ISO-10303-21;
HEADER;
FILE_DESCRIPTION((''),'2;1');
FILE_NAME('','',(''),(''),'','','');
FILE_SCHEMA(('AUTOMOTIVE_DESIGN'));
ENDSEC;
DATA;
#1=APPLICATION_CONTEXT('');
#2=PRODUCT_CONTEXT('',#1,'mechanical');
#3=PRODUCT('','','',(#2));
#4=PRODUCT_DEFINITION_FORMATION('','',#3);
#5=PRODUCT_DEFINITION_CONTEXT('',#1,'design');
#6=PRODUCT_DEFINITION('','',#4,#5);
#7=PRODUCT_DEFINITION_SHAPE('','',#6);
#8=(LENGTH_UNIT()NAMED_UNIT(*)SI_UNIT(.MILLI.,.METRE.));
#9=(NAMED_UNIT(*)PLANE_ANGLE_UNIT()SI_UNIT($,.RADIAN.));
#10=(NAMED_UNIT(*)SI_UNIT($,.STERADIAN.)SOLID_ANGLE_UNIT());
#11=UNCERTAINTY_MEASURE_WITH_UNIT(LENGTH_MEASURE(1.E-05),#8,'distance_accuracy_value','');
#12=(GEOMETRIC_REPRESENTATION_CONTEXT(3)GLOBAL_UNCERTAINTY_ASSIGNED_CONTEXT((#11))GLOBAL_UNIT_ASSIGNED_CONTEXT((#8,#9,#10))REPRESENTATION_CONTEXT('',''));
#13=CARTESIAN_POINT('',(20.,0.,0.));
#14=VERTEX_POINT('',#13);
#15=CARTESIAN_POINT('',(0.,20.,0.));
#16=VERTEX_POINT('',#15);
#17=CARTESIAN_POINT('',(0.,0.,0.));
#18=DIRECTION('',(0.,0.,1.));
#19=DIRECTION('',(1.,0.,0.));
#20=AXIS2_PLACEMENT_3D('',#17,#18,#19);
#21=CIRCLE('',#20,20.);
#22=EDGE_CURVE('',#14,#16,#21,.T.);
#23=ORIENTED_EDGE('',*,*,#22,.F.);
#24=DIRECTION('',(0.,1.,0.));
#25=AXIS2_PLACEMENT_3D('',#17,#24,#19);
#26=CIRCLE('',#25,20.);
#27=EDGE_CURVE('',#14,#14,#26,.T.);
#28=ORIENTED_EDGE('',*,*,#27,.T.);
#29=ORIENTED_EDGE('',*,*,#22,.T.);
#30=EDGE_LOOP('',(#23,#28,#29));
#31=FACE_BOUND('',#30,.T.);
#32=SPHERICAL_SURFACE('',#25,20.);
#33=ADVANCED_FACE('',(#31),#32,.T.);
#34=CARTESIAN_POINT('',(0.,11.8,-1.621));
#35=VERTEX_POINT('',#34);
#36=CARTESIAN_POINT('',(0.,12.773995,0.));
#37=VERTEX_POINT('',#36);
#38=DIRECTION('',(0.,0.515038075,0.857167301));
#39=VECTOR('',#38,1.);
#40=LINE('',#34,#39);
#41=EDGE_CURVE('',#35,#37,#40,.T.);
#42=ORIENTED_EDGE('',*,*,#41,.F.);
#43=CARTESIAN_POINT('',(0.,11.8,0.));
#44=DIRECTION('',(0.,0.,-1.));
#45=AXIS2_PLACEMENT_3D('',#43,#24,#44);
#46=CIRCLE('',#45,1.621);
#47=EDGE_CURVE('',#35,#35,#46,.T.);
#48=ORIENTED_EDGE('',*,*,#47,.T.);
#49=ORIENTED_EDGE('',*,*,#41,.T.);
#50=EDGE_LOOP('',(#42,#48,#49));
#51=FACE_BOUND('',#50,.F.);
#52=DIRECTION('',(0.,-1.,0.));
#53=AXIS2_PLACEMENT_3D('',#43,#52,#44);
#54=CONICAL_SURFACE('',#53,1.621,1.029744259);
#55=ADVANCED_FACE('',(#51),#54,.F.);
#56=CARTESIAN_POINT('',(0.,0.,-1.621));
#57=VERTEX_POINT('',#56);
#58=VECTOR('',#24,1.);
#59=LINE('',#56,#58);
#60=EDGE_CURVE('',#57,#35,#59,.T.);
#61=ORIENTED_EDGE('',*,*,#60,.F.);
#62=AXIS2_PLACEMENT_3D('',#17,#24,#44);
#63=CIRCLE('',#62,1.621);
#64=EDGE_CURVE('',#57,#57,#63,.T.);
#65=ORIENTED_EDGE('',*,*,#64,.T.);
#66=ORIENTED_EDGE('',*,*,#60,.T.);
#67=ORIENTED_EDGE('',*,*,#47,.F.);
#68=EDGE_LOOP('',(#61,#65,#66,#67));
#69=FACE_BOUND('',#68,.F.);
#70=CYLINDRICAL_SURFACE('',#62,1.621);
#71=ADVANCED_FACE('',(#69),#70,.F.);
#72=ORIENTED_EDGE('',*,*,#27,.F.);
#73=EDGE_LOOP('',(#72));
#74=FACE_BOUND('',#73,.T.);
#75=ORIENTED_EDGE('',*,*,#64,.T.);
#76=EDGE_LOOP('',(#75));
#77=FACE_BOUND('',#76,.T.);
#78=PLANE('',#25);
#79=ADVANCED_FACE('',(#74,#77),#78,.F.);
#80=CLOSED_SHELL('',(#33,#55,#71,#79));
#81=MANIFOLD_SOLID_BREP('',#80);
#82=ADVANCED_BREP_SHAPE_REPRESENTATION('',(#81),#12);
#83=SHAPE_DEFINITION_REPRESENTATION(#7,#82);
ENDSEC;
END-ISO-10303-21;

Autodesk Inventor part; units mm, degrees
ref_plane "YZ Plane" through (0, 0, 0) normal (1, 0, 0) x (0, 1, 0)
ref_plane "XZ Plane" through (0, 0, 0) normal (0, 1, 0) x (-1, 0, 0)
ref_plane "XY Plane" through (0, 0, 0) normal (0, 0, 1) x (1, 0, 0)
sketch "Sketch1" plane through (0, 0, 0) normal (0, 0, 1) x (1, 0, 0)
  line L0 (0, 0) -> (0, 20)
  line L1 (0, 0) -> (20, 0)
  arc A0 (20, 0) -> (0, 20) centre (0, 0) ccw
  line L2 (0, -4.8284) -> (0, 28.9706) projected
  dimension "d2" = 20
revolve "Revolution1" add sketch "Sketch1" angle 360 about axis through (0, -10, 0) along (0, 1, 0)
sketch "Sketch4" plane through (0, 0, 0) normal (0, -1, 0) x (1, 0, 0)
  point P0 (0, 0)
  point P1 (0, 0)
hole "Hole2" at (0, 0, 0) direction (0, 1, 0) diameter 3.242 depth 11.8 tip angle 118 thread size "M4x0.7" class "6H" standard "ANSI Metric M Profile"
shell "Shell2" [suppressed]
properties part number "Ball_Upper Half" material "Nylon 6/6"
